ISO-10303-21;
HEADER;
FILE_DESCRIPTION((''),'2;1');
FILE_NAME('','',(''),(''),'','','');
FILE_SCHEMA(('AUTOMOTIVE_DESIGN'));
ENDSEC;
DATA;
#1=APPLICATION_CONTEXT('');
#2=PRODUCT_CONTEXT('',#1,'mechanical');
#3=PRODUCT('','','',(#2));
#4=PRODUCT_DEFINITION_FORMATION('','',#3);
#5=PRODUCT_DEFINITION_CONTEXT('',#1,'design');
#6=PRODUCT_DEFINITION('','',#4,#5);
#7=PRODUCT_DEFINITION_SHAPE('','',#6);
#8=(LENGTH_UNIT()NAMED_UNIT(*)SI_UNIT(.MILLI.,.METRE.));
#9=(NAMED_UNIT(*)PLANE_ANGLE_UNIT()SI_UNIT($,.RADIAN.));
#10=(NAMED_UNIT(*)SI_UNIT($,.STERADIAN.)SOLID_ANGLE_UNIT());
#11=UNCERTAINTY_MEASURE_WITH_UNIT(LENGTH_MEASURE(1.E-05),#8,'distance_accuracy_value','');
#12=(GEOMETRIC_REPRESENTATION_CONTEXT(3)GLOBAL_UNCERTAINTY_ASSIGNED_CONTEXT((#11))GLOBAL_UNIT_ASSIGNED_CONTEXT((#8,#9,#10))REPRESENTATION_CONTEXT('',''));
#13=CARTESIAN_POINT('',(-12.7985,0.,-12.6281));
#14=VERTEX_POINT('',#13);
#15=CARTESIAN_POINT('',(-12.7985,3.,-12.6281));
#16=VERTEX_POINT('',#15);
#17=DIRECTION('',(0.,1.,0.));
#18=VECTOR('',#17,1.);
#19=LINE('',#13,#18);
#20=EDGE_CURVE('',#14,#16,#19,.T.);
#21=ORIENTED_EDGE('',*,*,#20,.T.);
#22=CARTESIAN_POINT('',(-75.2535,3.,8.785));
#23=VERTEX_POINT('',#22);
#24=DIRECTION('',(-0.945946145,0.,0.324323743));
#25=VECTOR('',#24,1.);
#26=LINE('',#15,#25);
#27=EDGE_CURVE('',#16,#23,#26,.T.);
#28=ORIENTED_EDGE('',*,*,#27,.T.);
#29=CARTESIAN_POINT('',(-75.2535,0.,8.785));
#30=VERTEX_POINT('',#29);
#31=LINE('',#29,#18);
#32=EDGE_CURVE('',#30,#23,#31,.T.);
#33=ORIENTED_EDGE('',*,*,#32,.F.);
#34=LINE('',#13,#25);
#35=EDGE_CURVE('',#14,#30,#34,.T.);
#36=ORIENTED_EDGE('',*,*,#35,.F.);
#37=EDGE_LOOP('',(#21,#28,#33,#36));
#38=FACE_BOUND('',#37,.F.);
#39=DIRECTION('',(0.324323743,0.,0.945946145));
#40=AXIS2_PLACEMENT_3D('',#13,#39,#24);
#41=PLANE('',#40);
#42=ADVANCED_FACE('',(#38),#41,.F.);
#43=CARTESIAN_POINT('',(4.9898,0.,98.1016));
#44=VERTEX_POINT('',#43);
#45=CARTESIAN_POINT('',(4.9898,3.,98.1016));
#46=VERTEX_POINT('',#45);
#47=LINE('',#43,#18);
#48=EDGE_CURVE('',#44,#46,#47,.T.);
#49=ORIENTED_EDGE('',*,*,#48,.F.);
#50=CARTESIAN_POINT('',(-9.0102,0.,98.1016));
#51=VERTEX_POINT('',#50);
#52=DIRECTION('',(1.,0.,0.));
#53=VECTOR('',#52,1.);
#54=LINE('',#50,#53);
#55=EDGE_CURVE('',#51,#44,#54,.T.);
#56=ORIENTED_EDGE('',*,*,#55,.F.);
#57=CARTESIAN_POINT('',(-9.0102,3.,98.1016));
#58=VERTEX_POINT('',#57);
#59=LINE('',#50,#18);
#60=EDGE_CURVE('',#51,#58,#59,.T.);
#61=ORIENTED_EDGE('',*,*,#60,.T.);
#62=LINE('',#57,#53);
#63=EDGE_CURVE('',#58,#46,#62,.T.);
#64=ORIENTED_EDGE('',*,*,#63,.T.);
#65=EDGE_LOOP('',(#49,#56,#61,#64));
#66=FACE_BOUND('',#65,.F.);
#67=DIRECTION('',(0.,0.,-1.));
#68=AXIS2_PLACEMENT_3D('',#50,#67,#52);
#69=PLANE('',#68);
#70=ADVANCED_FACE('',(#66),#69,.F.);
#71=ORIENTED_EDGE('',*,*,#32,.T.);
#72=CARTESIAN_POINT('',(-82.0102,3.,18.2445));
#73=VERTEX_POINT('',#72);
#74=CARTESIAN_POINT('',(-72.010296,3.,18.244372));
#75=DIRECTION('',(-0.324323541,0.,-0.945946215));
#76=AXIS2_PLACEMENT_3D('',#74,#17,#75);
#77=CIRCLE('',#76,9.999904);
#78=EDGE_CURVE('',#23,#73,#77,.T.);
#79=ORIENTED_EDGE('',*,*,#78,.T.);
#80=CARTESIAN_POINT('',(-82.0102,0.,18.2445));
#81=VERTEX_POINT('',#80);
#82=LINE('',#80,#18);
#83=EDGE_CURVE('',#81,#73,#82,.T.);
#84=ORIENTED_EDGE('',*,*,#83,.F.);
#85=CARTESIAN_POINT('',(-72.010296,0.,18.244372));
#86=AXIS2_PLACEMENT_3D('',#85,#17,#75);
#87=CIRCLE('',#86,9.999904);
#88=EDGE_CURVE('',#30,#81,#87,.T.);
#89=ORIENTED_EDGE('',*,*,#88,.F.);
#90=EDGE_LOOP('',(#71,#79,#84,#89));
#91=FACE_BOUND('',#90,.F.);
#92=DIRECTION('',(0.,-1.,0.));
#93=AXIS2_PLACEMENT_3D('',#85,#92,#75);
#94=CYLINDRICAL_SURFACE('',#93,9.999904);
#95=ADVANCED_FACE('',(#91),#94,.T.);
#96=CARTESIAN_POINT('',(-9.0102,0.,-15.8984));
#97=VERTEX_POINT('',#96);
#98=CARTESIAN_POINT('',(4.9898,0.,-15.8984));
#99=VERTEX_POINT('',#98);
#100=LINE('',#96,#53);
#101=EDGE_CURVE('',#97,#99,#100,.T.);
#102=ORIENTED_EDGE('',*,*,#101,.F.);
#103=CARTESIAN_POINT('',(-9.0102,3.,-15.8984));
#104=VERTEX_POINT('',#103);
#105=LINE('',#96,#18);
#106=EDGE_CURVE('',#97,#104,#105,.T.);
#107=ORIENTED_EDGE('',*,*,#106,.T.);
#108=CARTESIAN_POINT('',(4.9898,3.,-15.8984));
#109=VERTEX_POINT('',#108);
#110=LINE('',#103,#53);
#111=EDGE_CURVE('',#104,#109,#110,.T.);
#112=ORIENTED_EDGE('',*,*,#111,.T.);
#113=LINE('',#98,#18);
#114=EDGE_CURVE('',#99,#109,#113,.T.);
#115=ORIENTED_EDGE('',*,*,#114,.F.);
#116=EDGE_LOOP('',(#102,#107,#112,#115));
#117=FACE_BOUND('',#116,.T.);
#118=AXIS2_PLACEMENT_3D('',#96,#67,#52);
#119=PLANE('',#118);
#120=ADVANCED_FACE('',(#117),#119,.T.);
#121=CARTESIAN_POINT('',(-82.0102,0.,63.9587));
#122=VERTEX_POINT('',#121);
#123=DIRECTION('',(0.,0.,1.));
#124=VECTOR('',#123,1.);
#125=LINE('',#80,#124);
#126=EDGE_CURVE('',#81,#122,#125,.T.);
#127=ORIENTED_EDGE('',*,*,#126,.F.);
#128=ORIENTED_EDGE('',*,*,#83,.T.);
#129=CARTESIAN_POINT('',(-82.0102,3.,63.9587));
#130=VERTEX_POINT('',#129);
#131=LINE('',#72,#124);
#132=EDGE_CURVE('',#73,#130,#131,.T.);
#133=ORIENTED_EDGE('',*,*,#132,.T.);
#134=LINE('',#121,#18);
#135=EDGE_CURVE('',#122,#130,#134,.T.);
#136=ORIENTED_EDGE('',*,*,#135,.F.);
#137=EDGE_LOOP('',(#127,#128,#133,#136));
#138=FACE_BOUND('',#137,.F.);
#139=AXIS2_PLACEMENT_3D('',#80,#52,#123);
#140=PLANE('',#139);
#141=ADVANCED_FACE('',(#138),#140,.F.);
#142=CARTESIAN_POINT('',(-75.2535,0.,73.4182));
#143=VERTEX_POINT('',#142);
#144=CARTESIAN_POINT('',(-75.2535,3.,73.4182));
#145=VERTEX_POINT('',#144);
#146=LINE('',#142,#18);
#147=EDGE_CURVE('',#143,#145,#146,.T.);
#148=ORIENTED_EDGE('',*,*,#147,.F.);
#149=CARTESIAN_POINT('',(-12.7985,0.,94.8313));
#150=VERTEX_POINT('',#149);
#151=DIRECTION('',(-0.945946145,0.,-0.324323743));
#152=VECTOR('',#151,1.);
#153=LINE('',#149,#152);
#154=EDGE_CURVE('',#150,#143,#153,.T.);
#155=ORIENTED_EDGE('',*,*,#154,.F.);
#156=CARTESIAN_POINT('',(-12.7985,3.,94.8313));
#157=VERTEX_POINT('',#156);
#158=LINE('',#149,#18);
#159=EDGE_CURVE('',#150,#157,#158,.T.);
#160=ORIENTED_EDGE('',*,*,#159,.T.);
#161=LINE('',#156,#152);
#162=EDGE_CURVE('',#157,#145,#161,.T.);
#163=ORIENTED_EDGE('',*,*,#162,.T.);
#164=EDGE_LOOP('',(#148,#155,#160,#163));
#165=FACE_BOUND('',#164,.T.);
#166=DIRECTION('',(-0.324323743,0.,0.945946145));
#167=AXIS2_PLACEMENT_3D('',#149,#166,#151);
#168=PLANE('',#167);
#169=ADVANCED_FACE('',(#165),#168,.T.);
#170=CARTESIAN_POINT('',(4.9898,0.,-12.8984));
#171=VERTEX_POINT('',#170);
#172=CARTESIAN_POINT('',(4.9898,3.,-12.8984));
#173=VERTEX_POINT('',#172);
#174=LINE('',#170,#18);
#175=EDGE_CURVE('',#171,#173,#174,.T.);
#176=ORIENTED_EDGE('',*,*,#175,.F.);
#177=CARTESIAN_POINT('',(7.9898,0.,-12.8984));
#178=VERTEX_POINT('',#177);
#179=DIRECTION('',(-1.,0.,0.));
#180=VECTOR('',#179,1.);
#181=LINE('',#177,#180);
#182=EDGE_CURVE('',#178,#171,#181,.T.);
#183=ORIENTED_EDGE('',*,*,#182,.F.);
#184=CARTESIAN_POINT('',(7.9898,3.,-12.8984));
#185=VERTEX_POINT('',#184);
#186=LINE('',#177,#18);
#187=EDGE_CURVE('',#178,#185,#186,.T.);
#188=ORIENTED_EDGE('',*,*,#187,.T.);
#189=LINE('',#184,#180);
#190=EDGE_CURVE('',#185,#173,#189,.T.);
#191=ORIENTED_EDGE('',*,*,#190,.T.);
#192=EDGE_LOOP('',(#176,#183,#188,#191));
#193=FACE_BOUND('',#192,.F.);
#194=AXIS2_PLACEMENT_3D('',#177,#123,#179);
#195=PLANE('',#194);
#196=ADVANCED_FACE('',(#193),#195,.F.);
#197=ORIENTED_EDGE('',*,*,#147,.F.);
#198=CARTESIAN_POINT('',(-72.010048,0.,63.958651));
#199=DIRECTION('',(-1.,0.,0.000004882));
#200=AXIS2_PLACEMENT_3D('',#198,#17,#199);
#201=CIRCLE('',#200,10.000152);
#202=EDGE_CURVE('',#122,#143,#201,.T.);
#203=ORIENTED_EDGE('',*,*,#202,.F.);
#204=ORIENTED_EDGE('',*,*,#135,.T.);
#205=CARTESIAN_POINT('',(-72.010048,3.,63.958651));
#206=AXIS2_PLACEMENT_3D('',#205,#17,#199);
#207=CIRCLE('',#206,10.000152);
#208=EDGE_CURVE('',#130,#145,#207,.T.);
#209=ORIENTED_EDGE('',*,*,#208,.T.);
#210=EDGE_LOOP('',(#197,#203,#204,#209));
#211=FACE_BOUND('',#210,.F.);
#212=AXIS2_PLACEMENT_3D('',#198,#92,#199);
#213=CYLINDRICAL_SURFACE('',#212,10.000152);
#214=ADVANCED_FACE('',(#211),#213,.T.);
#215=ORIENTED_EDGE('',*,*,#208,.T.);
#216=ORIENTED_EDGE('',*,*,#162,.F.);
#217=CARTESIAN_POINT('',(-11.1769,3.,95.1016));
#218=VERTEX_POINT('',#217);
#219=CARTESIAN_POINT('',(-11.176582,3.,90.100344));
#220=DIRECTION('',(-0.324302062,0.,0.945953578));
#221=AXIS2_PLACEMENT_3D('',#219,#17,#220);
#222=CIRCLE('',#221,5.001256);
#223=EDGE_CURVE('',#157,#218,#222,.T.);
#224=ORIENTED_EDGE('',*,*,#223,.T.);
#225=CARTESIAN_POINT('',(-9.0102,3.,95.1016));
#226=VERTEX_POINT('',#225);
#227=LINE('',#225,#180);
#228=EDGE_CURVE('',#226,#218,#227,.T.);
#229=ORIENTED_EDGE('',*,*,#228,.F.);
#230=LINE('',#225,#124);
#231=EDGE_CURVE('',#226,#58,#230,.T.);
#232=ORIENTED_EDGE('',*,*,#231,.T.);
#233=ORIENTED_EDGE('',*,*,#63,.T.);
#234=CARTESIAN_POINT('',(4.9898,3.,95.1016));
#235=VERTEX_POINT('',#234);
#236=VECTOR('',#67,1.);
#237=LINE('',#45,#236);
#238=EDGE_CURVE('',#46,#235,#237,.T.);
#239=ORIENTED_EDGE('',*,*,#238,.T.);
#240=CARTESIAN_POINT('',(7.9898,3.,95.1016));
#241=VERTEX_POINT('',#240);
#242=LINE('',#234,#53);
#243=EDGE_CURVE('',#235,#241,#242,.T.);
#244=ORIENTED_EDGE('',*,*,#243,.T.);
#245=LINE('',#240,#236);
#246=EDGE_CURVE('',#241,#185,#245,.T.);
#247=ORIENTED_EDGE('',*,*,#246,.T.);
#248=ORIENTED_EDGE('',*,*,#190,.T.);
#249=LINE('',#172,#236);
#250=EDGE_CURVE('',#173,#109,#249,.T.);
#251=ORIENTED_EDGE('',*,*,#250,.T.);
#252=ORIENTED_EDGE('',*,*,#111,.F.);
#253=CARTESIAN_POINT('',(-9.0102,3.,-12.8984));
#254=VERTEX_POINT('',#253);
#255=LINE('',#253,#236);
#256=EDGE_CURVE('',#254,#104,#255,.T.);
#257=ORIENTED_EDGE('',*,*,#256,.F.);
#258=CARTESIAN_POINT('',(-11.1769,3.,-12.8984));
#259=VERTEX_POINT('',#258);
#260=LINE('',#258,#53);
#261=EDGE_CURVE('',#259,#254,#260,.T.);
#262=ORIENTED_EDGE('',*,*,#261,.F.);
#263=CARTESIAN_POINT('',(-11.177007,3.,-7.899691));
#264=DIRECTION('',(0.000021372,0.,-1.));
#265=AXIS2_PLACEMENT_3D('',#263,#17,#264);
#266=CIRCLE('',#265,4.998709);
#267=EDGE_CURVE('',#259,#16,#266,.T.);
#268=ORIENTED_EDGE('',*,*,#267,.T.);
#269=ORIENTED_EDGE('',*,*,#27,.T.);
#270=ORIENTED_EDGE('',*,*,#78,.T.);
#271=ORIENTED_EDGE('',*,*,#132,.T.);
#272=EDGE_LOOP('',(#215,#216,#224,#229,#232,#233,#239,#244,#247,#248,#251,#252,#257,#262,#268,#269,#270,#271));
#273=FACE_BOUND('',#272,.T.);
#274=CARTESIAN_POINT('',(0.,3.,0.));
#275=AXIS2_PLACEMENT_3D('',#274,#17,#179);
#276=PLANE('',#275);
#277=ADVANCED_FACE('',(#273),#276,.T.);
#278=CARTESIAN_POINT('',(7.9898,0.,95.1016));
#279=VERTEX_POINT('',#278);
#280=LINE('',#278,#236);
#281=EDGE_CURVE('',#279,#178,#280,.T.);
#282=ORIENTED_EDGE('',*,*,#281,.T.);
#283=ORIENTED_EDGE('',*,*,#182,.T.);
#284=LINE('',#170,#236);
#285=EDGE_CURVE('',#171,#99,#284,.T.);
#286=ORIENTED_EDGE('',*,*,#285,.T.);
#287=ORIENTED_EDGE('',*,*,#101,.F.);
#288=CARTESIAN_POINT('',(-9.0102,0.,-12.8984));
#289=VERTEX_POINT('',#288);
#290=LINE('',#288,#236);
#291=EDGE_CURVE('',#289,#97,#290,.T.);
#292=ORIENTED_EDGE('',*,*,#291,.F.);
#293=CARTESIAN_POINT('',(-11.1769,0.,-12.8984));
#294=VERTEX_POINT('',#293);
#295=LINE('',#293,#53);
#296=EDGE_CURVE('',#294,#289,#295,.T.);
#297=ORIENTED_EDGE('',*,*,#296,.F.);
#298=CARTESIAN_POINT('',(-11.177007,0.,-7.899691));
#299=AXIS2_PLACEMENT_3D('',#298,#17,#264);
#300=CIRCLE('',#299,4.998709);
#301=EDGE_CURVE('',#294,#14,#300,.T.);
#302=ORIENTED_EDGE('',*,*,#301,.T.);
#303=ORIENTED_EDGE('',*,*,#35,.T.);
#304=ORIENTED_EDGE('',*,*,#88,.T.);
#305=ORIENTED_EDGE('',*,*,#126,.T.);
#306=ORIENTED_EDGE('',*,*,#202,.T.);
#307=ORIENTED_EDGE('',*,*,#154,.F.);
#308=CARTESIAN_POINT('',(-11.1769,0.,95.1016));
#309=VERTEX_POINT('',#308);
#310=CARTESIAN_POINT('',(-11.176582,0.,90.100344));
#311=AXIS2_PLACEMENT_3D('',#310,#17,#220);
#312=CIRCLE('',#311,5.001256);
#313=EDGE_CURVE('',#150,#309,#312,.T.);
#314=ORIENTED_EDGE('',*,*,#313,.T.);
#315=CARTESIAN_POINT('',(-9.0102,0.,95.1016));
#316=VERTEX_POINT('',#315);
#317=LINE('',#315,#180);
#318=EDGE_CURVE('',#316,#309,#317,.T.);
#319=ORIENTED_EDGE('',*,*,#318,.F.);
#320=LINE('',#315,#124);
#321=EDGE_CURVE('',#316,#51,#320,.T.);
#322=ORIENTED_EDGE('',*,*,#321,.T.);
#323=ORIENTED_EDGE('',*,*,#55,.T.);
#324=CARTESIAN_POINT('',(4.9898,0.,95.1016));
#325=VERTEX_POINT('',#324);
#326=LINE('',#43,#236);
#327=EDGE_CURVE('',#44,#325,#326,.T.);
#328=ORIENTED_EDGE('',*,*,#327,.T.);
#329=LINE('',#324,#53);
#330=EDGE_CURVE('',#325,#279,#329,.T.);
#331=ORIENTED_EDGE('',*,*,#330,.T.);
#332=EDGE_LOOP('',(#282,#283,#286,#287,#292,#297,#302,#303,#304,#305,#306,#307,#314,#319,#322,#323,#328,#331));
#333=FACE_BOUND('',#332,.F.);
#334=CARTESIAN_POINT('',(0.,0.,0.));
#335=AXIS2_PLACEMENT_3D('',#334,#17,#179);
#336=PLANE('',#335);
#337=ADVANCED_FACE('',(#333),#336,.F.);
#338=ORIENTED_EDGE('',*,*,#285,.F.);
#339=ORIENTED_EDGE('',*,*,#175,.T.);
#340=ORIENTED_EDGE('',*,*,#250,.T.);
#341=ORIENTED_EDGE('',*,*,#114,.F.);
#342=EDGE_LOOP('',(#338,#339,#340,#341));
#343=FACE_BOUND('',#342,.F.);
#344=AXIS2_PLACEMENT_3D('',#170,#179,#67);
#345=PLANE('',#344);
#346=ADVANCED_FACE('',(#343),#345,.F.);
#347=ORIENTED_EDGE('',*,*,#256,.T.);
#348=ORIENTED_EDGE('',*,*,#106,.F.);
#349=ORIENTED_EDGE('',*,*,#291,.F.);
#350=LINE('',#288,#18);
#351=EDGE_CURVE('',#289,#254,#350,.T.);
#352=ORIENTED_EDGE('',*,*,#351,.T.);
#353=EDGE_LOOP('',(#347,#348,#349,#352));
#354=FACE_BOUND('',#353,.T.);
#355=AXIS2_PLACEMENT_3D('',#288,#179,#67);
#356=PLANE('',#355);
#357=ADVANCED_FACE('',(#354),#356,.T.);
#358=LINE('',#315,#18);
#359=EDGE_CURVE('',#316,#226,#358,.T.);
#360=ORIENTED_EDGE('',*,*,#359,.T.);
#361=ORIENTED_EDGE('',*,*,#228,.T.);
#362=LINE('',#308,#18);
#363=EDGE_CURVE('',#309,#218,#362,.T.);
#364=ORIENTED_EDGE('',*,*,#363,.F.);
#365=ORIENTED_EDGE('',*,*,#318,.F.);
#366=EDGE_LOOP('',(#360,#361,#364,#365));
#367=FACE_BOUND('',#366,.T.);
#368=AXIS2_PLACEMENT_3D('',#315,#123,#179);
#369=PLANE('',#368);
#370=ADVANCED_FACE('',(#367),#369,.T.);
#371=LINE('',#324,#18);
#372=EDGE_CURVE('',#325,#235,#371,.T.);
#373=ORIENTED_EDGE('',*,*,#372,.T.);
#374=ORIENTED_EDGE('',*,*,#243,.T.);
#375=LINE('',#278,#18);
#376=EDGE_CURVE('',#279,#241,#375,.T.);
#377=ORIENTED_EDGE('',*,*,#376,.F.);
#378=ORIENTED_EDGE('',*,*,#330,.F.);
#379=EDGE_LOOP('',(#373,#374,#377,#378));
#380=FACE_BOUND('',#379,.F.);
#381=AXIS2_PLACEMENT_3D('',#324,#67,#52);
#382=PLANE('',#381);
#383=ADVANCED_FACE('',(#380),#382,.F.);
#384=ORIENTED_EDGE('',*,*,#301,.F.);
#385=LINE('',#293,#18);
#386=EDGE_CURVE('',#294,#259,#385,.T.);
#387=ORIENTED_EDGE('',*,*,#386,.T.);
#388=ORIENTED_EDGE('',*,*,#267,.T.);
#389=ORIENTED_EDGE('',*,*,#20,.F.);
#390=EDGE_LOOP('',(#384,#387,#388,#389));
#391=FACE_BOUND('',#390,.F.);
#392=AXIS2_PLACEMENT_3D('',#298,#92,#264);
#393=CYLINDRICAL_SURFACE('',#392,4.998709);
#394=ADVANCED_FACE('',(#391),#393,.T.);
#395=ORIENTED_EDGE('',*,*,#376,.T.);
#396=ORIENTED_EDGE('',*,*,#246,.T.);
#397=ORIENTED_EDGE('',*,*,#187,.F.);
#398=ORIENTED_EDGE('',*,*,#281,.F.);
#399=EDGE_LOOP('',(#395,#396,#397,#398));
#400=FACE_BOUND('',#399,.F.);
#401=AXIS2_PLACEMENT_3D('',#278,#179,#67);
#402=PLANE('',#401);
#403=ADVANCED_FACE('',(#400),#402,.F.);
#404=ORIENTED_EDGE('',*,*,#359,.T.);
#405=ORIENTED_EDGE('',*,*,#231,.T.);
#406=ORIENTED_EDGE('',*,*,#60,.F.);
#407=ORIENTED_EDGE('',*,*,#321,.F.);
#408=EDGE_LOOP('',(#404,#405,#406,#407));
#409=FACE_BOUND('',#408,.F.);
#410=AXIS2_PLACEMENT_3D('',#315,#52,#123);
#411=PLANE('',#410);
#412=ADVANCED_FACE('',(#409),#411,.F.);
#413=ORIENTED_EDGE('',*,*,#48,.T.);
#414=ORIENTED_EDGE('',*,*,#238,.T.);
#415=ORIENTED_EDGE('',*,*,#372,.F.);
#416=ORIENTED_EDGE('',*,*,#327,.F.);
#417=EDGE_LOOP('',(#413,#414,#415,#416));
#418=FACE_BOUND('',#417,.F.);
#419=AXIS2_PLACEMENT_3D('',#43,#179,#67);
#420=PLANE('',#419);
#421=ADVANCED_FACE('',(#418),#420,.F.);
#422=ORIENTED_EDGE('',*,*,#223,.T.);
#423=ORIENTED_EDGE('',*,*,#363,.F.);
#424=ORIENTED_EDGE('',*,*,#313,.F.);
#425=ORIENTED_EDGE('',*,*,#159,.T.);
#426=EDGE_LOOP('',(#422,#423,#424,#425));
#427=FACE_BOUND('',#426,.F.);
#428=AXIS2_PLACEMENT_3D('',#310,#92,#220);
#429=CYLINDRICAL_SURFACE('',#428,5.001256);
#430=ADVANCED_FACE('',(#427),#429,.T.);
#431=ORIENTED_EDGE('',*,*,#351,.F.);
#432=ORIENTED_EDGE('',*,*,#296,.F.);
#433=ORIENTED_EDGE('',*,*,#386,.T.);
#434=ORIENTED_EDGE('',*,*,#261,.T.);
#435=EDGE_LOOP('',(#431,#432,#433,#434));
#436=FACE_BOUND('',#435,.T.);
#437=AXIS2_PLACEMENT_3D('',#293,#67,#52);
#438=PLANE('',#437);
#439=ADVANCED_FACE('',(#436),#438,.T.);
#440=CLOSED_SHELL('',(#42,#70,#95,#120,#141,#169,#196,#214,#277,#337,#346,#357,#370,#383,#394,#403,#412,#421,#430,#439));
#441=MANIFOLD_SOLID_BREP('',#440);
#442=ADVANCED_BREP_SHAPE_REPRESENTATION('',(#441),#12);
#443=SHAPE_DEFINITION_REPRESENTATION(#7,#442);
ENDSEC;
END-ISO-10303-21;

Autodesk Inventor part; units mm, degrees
ref_plane "YZ Plane" through (0, 0, 0) normal (1, 0, 0) x (0, 1, 0)
ref_plane "XZ Plane" through (0, 0, 0) normal (0, 1, 0) x (-1, 0, 0)
ref_plane "XY Plane" through (0, 0, 0) normal (0, 0, 1) x (1, 0, 0)
sketch "Sketch1" plane through (0, 0, 0) normal (0, 1, 0) x (-1, 0, 0)
  line L0 (9.0102, -12.8984) -> (9.0102, -15.8984)
  line L1 (9.0102, 95.1016) -> (9.0102, 98.1016)
  line L2 (9.0102, -15.8984) -> (-4.9898, -15.8984)
  line L3 (9.0102, 98.1016) -> (-4.9898, 98.1016)
  line L4 (-4.9898, 98.1016) -> (-4.9898, 95.1016)
  line L5 (-4.9898, 95.1016) -> (-7.9898, 95.1016)
  line L6 (-7.9898, 95.1016) -> (-7.9898, -12.8984)
  line L7 (-7.9898, -12.8984) -> (-4.9898, -12.8984)
  line L8 (-4.9898, -12.8984) -> (-4.9898, -15.8984)
  line L9 (9.0102, 95.1016) -> (11.1769, 95.1016)
  line L10 (11.1769, -12.8984) -> (9.0102, -12.8984)
  line L11 (82.0102, 18.2445) -> (82.0102, 63.9587)
  arc A0 (75.2535, 8.785) -> (82.0102, 18.2445) centre (72.0102, 18.2445) ccw
  arc A1 (82.0102, 63.9587) -> (75.2535, 73.4182) centre (72.0102, 63.9587) ccw
  line L12 (12.7985, -12.6281) -> (75.2535, 8.785)
  arc A2 (11.1769, -12.8984) -> (12.7985, -12.6281) centre (11.1769, -7.8984) ccw
  line L13 (12.7985, 94.8313) -> (75.2535, 73.4182)
  arc A3 (12.7985, 94.8313) -> (11.1769, 95.1016) centre (11.1769, 90.1016) ccw
  point P0 (0, 0)
extrude "Extrusion1" add sketch "Sketch1" along normal blind 3
properties part number "rearCover" material "Polycarbonate, Clear"
